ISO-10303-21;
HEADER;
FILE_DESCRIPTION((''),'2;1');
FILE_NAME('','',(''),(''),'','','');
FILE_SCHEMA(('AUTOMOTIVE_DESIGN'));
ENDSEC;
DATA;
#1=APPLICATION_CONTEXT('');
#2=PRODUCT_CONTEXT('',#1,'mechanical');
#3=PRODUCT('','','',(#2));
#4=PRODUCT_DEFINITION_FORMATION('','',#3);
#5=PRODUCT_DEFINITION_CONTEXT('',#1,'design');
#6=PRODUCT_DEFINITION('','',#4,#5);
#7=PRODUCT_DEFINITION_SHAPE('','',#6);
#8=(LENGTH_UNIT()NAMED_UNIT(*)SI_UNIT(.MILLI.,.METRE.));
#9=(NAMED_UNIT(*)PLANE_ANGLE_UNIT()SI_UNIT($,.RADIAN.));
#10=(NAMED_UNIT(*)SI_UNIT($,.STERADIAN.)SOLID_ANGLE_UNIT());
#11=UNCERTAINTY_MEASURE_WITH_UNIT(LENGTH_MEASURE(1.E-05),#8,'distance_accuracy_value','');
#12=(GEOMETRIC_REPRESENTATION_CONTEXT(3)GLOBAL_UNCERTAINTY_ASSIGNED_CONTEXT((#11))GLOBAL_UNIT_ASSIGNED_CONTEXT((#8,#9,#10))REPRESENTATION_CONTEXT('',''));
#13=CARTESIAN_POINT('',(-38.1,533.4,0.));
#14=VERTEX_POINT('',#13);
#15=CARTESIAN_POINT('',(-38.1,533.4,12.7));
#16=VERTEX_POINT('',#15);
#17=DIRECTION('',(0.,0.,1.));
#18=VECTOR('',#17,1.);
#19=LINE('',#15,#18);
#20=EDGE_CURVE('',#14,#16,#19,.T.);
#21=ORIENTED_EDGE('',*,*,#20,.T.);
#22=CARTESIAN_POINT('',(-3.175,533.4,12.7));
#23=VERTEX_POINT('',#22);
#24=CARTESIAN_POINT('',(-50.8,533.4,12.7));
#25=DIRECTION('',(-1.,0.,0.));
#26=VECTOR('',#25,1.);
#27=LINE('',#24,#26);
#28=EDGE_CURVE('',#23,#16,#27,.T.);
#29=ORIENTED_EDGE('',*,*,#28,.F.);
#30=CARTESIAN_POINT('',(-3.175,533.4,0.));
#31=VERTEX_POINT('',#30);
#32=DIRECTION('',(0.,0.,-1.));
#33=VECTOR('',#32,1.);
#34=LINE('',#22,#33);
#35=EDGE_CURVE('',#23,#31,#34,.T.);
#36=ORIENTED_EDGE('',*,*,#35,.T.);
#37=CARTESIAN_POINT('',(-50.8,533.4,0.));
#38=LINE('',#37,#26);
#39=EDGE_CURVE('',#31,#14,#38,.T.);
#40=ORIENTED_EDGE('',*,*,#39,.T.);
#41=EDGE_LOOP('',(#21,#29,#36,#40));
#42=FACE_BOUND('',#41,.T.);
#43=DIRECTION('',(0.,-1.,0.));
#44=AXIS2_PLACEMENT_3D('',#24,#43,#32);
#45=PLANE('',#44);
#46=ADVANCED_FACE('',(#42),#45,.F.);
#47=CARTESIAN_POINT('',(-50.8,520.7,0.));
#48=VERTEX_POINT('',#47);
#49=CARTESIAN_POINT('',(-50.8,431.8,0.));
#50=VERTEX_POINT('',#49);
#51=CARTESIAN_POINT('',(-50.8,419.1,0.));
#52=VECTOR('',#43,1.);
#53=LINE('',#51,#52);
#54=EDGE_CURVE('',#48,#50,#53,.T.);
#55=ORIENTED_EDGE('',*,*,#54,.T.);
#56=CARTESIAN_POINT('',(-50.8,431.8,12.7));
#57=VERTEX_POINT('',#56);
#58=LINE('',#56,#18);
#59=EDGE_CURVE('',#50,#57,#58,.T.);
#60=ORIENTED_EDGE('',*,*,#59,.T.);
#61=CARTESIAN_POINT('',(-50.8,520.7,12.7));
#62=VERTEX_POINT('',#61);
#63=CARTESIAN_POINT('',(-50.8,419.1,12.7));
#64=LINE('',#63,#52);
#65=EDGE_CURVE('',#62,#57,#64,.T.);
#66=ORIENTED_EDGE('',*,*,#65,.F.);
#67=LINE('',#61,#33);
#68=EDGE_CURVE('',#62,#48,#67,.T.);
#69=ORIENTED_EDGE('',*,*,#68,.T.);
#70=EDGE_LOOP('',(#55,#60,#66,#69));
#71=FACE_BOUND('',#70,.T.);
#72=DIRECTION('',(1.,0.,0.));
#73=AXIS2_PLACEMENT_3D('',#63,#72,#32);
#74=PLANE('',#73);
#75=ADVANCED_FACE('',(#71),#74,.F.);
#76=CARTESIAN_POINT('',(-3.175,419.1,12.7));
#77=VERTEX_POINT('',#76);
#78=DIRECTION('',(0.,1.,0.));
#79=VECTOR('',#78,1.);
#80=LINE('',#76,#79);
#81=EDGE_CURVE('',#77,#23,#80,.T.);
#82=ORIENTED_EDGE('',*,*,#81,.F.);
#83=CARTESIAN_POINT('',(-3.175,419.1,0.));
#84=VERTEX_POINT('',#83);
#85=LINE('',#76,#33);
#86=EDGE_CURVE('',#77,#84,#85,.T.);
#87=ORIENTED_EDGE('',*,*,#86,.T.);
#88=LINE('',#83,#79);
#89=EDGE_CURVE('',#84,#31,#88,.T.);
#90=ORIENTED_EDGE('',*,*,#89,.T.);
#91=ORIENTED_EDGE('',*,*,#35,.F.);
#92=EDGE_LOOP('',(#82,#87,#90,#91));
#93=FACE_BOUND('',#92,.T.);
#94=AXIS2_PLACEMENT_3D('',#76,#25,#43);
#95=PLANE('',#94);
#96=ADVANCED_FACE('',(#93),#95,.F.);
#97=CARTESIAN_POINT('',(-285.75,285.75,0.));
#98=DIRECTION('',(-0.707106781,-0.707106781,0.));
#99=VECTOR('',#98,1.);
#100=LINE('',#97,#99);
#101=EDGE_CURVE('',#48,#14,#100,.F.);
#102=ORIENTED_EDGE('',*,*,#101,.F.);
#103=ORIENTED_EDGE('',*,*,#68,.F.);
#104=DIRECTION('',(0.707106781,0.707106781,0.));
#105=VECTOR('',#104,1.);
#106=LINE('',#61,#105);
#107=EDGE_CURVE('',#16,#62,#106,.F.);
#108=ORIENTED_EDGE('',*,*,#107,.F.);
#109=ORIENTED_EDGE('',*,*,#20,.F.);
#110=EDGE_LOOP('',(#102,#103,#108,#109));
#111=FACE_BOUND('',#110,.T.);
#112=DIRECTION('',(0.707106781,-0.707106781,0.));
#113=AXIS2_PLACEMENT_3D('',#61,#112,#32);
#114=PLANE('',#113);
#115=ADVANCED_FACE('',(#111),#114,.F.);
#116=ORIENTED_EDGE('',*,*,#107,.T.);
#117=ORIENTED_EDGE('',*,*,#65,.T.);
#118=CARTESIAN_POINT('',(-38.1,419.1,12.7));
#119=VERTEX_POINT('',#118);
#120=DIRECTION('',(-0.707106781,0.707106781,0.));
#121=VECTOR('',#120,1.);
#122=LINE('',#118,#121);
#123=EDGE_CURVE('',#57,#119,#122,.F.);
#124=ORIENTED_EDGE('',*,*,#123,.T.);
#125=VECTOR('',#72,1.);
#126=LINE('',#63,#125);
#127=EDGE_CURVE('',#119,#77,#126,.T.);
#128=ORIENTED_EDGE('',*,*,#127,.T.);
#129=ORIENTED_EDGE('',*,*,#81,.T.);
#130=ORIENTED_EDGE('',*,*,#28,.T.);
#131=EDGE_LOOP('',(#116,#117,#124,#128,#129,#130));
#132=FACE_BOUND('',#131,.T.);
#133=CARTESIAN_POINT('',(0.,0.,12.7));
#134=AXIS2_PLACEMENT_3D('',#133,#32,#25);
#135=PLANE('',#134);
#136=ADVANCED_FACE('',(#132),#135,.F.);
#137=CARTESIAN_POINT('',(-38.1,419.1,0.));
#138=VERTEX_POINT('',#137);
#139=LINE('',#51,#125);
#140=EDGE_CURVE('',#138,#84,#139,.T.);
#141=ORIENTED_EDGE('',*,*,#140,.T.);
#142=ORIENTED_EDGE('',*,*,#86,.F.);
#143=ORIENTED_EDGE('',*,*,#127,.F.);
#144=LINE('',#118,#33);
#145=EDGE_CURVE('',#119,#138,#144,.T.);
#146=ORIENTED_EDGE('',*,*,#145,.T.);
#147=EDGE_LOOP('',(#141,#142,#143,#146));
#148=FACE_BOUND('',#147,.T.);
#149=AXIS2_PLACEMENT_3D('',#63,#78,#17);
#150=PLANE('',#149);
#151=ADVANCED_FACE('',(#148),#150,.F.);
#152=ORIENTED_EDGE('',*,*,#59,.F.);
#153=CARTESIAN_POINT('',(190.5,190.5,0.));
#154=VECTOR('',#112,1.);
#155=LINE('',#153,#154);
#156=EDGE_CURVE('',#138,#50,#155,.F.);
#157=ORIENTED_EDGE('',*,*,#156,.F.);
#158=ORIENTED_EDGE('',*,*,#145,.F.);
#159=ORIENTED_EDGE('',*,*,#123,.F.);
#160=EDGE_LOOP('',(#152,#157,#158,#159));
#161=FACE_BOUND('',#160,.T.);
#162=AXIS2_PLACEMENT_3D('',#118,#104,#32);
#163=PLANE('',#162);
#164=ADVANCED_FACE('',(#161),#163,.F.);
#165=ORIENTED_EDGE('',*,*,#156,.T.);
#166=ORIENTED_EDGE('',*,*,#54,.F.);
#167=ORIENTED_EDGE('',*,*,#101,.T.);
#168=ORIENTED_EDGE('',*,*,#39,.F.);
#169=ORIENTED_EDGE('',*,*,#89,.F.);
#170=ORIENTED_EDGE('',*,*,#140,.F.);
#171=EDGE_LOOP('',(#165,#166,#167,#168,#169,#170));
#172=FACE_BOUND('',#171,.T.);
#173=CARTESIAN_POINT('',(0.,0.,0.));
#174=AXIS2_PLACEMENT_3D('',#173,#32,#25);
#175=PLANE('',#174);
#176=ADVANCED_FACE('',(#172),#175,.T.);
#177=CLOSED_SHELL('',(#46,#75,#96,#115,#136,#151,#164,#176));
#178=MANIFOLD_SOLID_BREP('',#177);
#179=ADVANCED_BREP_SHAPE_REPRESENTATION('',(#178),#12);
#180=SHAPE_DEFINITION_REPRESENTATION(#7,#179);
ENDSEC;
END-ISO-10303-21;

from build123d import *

# Parameters (mm, degrees)
SKETCH1_W           = 47.625
SKETCH1_H           = 114.3
BOSS_EXTRUDE1_DEPTH = 12.7
CHAMFER1_SIZE       = 12.7


with BuildPart() as part:
    # Sketch1 → Boss-Extrude1 (new body)
    with BuildSketch(Plane.XY):
        with Locations((-26.9875, 476.25)):
            Rectangle(SKETCH1_W, SKETCH1_H)
    extrude(amount=BOSS_EXTRUDE1_DEPTH)

    # Chamfer1
    chamfer1_edges = [part.edges().sort_by_distance(p)[0] for p in [
        (-50.8, 533.4, 6.35),
        (-50.8, 419.1, 6.35),
    ]]
    chamfer(chamfer1_edges, length=CHAMFER1_SIZE)


solid = part.part
